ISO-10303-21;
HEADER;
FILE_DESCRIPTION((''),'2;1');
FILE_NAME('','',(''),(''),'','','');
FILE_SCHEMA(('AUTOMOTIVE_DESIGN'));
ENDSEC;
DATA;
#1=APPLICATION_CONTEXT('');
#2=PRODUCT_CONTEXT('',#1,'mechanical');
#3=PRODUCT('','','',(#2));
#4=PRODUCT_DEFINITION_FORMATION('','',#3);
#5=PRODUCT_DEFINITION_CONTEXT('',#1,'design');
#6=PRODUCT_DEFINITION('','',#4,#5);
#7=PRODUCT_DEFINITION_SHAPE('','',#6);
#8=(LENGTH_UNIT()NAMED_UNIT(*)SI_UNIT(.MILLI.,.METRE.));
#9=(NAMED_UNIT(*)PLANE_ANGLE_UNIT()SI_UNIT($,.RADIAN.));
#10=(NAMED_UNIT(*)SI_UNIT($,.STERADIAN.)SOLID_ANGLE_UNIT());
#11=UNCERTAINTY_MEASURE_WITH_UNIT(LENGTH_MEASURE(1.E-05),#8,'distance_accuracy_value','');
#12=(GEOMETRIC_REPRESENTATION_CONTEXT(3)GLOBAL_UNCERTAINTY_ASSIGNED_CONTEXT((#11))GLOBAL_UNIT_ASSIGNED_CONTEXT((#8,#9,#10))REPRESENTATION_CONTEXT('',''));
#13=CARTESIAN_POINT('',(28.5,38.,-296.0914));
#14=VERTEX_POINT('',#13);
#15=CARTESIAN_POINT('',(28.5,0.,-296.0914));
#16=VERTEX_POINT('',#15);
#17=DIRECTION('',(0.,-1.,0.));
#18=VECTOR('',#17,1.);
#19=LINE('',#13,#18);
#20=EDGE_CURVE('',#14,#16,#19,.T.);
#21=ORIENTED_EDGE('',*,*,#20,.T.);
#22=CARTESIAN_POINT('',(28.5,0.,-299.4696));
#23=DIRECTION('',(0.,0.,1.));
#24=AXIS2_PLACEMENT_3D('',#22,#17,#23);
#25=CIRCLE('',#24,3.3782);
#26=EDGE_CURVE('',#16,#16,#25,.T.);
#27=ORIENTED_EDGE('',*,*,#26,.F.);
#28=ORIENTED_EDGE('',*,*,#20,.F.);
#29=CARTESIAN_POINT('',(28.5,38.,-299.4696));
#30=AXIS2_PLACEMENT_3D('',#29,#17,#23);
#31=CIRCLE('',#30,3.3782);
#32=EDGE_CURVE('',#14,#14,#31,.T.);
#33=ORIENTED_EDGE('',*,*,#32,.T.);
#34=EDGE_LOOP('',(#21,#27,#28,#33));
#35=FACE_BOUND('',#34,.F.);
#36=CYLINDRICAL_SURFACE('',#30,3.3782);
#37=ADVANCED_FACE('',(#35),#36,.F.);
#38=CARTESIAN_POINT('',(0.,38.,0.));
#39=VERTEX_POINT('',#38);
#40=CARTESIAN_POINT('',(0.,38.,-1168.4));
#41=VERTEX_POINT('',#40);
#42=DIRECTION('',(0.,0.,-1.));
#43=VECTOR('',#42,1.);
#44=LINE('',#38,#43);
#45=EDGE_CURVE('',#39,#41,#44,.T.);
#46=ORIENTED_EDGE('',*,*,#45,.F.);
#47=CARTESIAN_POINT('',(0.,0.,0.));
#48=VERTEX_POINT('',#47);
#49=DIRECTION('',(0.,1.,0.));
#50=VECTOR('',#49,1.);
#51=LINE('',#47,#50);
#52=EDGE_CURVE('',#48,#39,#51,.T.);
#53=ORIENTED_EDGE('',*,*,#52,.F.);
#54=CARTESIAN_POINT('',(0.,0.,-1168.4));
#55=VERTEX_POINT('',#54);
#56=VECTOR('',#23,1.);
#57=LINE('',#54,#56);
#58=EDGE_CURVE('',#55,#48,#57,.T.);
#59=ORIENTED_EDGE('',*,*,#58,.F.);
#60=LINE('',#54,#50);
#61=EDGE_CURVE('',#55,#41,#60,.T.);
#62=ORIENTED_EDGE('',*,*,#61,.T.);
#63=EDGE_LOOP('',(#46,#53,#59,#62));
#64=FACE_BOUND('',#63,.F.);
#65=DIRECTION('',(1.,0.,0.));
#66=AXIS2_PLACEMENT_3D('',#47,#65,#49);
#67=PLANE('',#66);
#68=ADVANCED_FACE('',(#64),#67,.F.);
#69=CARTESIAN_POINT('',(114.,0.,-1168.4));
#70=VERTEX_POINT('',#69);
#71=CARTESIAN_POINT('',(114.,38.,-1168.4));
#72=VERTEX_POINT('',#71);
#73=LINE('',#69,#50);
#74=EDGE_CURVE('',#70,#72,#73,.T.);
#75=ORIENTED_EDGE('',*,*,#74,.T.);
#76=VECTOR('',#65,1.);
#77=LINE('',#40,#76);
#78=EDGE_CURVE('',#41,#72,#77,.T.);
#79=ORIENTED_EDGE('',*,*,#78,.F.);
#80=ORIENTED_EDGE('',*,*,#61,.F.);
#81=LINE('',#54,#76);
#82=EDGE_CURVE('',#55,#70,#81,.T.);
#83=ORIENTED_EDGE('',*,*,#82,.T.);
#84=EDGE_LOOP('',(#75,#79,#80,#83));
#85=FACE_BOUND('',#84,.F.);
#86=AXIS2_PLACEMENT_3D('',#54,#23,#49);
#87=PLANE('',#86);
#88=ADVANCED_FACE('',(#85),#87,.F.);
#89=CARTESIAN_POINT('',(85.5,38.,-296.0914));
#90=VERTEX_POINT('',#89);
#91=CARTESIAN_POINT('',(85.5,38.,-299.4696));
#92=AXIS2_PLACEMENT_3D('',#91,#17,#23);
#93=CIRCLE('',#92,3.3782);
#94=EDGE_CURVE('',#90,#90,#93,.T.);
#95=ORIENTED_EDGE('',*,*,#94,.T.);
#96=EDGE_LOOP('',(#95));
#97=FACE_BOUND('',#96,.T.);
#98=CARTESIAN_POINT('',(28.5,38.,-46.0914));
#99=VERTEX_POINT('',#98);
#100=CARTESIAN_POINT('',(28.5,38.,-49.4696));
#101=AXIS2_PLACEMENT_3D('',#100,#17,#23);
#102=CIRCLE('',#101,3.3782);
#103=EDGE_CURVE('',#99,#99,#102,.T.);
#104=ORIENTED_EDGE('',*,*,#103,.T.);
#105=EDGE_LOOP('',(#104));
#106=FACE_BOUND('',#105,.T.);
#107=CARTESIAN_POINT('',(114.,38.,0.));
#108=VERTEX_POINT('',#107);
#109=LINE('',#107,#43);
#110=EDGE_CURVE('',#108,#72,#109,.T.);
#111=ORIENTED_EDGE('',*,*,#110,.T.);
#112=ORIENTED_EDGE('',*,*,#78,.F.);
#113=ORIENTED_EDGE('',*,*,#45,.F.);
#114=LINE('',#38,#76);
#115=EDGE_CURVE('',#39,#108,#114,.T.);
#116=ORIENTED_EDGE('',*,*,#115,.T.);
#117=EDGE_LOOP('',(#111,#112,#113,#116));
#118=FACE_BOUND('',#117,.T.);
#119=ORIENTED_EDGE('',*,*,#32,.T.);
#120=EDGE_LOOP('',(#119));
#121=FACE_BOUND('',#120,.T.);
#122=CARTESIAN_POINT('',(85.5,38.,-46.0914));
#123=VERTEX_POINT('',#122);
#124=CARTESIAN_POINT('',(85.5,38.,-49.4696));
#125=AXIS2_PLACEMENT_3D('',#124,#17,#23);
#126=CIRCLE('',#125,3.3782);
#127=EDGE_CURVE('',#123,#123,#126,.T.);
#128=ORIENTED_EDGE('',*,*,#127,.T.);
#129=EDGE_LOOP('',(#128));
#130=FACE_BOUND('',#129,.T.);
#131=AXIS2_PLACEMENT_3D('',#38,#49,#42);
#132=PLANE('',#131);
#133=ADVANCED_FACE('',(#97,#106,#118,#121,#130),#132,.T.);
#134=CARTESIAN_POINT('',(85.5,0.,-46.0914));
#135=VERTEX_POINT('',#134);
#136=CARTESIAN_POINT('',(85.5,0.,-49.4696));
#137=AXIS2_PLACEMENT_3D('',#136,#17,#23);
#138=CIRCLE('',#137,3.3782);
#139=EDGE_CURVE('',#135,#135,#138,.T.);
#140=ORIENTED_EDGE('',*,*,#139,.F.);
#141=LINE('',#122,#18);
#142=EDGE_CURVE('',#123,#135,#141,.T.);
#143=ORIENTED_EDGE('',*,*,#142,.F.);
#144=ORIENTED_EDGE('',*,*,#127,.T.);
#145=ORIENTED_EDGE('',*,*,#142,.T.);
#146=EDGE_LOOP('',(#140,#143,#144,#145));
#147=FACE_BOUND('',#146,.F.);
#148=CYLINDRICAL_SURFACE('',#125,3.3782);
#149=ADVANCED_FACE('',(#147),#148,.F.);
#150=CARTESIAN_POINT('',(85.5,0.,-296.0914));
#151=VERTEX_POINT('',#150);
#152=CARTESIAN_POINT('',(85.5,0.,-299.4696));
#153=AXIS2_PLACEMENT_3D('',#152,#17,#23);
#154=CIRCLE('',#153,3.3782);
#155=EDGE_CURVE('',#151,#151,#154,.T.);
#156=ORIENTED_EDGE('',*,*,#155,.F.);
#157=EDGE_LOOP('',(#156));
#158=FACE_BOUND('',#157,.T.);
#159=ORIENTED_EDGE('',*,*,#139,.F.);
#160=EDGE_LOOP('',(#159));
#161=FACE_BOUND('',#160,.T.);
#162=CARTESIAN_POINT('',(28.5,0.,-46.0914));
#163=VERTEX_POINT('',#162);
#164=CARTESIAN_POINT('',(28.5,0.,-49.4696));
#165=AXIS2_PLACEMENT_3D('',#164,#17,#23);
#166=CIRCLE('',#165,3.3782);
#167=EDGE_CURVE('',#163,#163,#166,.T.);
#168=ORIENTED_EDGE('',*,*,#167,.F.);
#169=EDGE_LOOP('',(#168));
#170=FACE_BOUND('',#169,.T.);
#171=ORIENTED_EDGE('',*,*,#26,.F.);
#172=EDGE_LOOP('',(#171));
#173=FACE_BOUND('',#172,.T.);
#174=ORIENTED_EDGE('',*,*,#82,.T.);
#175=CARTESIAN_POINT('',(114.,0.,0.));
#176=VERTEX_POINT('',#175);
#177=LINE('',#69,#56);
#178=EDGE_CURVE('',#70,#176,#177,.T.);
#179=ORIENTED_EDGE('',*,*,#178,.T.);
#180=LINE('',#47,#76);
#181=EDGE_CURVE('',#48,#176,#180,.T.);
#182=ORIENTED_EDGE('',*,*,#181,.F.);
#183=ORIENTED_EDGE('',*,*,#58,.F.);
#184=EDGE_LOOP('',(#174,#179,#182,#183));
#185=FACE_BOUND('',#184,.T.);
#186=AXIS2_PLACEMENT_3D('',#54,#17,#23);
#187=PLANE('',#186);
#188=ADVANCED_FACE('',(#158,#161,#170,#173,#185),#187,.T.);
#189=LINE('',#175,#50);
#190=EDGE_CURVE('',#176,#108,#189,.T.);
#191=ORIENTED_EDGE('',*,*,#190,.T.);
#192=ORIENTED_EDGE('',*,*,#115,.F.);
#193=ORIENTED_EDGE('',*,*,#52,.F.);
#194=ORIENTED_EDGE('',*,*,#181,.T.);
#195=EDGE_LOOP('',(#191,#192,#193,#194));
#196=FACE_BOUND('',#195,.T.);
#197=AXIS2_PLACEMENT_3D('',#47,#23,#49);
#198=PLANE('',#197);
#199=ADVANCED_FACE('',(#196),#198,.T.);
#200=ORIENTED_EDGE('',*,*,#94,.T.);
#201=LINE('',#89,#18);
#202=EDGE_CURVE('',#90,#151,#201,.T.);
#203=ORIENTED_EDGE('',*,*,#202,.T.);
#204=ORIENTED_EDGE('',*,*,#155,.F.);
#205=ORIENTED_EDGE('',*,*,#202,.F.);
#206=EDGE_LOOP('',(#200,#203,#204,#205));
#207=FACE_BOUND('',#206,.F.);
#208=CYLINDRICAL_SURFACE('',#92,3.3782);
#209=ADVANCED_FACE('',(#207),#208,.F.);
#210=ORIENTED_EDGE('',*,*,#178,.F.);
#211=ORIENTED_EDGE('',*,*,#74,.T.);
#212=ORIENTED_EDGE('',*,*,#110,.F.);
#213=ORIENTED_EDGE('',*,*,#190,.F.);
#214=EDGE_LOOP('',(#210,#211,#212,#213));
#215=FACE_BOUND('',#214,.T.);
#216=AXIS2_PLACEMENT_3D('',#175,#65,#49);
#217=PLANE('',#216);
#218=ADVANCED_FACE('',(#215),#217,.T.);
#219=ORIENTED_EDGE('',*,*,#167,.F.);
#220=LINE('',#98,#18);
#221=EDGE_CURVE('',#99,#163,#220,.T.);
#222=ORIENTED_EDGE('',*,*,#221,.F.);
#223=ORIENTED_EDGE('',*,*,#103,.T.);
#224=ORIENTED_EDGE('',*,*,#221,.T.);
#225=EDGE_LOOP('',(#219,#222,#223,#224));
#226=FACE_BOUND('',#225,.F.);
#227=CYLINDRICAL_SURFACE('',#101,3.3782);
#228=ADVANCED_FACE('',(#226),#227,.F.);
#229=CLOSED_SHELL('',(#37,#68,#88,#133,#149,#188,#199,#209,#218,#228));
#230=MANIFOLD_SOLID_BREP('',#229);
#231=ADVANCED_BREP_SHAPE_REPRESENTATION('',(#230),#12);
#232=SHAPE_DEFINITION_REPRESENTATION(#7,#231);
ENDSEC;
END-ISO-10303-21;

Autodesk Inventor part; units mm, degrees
ref_plane "YZ Plane" through (0, 0, 0) normal (1, 0, 0) x (0, 1, 0)
ref_plane "XZ Plane" through (0, 0, 0) normal (0, 1, 0) x (-1, 0, 0)
ref_plane "XY Plane" through (0, 0, 0) normal (0, 0, 1) x (1, 0, 0)
sketch "Sketch1" plane through (0, 0, 0) normal (1, 0, 0) x (0, 1, 0)
  line L0 (0, 0) -> (38, 0)
  line L1 (38, 0) -> (38, -1168.4)
  line L2 (38.1, -1168.4) -> (0, -1168.4) construction
  line L3 (0, -1168.4) -> (0, 0)
  line L4 (0, -1168.4) -> (38, -1168.4)
  line L5 (0, -1168.4) -> (104.052, -1168.4) construction
  dimension "d0" = 38
  dimension "d1" = 1168.4
  dimension "d3" = 90
extrude "Extrusion1" add sketch "Sketch1" along normal blind 114
sketch "Sketch4" plane through (0, 38, 0) normal (0, 1, 0) x (1, 0, 0)
  line L0 (0, 0) -> (0, 1168.4) projected
  line L1 (0, 0) -> (114, 0) projected
  circle A0 centre (28.5, 49.4696) radius 8.5666
  circle A1 centre (85.5, 49.4696) radius 8.5666
  circle A2 centre (28.5, 299.4696) radius 8.5666
  circle A3 centre (85.5, 299.4696) radius 8.5666
  dimension "d46" = 28.5
  dimension "d49" = 57
  dimension "d52" = 250
hole "Hole3" at (28.5, 38, -49.4696) at (85.5, 38, -49.4696) at (28.5, 38, -299.4696) at (85.5, 38, -299.4696) direction (0, -1, 0) diameter 6.7564 end through all clearance for "Flat Head Machine Screw (82)" size "1/4" standard "Ansi Unified Screw Threads"
equation "\"d46\" = 0.25 * d4"
equation "\"d49\" = 0.5 * d4"
equation "\"d4\" = 114"
properties part number "2p2psh2" material "Wood (Cherry)"
